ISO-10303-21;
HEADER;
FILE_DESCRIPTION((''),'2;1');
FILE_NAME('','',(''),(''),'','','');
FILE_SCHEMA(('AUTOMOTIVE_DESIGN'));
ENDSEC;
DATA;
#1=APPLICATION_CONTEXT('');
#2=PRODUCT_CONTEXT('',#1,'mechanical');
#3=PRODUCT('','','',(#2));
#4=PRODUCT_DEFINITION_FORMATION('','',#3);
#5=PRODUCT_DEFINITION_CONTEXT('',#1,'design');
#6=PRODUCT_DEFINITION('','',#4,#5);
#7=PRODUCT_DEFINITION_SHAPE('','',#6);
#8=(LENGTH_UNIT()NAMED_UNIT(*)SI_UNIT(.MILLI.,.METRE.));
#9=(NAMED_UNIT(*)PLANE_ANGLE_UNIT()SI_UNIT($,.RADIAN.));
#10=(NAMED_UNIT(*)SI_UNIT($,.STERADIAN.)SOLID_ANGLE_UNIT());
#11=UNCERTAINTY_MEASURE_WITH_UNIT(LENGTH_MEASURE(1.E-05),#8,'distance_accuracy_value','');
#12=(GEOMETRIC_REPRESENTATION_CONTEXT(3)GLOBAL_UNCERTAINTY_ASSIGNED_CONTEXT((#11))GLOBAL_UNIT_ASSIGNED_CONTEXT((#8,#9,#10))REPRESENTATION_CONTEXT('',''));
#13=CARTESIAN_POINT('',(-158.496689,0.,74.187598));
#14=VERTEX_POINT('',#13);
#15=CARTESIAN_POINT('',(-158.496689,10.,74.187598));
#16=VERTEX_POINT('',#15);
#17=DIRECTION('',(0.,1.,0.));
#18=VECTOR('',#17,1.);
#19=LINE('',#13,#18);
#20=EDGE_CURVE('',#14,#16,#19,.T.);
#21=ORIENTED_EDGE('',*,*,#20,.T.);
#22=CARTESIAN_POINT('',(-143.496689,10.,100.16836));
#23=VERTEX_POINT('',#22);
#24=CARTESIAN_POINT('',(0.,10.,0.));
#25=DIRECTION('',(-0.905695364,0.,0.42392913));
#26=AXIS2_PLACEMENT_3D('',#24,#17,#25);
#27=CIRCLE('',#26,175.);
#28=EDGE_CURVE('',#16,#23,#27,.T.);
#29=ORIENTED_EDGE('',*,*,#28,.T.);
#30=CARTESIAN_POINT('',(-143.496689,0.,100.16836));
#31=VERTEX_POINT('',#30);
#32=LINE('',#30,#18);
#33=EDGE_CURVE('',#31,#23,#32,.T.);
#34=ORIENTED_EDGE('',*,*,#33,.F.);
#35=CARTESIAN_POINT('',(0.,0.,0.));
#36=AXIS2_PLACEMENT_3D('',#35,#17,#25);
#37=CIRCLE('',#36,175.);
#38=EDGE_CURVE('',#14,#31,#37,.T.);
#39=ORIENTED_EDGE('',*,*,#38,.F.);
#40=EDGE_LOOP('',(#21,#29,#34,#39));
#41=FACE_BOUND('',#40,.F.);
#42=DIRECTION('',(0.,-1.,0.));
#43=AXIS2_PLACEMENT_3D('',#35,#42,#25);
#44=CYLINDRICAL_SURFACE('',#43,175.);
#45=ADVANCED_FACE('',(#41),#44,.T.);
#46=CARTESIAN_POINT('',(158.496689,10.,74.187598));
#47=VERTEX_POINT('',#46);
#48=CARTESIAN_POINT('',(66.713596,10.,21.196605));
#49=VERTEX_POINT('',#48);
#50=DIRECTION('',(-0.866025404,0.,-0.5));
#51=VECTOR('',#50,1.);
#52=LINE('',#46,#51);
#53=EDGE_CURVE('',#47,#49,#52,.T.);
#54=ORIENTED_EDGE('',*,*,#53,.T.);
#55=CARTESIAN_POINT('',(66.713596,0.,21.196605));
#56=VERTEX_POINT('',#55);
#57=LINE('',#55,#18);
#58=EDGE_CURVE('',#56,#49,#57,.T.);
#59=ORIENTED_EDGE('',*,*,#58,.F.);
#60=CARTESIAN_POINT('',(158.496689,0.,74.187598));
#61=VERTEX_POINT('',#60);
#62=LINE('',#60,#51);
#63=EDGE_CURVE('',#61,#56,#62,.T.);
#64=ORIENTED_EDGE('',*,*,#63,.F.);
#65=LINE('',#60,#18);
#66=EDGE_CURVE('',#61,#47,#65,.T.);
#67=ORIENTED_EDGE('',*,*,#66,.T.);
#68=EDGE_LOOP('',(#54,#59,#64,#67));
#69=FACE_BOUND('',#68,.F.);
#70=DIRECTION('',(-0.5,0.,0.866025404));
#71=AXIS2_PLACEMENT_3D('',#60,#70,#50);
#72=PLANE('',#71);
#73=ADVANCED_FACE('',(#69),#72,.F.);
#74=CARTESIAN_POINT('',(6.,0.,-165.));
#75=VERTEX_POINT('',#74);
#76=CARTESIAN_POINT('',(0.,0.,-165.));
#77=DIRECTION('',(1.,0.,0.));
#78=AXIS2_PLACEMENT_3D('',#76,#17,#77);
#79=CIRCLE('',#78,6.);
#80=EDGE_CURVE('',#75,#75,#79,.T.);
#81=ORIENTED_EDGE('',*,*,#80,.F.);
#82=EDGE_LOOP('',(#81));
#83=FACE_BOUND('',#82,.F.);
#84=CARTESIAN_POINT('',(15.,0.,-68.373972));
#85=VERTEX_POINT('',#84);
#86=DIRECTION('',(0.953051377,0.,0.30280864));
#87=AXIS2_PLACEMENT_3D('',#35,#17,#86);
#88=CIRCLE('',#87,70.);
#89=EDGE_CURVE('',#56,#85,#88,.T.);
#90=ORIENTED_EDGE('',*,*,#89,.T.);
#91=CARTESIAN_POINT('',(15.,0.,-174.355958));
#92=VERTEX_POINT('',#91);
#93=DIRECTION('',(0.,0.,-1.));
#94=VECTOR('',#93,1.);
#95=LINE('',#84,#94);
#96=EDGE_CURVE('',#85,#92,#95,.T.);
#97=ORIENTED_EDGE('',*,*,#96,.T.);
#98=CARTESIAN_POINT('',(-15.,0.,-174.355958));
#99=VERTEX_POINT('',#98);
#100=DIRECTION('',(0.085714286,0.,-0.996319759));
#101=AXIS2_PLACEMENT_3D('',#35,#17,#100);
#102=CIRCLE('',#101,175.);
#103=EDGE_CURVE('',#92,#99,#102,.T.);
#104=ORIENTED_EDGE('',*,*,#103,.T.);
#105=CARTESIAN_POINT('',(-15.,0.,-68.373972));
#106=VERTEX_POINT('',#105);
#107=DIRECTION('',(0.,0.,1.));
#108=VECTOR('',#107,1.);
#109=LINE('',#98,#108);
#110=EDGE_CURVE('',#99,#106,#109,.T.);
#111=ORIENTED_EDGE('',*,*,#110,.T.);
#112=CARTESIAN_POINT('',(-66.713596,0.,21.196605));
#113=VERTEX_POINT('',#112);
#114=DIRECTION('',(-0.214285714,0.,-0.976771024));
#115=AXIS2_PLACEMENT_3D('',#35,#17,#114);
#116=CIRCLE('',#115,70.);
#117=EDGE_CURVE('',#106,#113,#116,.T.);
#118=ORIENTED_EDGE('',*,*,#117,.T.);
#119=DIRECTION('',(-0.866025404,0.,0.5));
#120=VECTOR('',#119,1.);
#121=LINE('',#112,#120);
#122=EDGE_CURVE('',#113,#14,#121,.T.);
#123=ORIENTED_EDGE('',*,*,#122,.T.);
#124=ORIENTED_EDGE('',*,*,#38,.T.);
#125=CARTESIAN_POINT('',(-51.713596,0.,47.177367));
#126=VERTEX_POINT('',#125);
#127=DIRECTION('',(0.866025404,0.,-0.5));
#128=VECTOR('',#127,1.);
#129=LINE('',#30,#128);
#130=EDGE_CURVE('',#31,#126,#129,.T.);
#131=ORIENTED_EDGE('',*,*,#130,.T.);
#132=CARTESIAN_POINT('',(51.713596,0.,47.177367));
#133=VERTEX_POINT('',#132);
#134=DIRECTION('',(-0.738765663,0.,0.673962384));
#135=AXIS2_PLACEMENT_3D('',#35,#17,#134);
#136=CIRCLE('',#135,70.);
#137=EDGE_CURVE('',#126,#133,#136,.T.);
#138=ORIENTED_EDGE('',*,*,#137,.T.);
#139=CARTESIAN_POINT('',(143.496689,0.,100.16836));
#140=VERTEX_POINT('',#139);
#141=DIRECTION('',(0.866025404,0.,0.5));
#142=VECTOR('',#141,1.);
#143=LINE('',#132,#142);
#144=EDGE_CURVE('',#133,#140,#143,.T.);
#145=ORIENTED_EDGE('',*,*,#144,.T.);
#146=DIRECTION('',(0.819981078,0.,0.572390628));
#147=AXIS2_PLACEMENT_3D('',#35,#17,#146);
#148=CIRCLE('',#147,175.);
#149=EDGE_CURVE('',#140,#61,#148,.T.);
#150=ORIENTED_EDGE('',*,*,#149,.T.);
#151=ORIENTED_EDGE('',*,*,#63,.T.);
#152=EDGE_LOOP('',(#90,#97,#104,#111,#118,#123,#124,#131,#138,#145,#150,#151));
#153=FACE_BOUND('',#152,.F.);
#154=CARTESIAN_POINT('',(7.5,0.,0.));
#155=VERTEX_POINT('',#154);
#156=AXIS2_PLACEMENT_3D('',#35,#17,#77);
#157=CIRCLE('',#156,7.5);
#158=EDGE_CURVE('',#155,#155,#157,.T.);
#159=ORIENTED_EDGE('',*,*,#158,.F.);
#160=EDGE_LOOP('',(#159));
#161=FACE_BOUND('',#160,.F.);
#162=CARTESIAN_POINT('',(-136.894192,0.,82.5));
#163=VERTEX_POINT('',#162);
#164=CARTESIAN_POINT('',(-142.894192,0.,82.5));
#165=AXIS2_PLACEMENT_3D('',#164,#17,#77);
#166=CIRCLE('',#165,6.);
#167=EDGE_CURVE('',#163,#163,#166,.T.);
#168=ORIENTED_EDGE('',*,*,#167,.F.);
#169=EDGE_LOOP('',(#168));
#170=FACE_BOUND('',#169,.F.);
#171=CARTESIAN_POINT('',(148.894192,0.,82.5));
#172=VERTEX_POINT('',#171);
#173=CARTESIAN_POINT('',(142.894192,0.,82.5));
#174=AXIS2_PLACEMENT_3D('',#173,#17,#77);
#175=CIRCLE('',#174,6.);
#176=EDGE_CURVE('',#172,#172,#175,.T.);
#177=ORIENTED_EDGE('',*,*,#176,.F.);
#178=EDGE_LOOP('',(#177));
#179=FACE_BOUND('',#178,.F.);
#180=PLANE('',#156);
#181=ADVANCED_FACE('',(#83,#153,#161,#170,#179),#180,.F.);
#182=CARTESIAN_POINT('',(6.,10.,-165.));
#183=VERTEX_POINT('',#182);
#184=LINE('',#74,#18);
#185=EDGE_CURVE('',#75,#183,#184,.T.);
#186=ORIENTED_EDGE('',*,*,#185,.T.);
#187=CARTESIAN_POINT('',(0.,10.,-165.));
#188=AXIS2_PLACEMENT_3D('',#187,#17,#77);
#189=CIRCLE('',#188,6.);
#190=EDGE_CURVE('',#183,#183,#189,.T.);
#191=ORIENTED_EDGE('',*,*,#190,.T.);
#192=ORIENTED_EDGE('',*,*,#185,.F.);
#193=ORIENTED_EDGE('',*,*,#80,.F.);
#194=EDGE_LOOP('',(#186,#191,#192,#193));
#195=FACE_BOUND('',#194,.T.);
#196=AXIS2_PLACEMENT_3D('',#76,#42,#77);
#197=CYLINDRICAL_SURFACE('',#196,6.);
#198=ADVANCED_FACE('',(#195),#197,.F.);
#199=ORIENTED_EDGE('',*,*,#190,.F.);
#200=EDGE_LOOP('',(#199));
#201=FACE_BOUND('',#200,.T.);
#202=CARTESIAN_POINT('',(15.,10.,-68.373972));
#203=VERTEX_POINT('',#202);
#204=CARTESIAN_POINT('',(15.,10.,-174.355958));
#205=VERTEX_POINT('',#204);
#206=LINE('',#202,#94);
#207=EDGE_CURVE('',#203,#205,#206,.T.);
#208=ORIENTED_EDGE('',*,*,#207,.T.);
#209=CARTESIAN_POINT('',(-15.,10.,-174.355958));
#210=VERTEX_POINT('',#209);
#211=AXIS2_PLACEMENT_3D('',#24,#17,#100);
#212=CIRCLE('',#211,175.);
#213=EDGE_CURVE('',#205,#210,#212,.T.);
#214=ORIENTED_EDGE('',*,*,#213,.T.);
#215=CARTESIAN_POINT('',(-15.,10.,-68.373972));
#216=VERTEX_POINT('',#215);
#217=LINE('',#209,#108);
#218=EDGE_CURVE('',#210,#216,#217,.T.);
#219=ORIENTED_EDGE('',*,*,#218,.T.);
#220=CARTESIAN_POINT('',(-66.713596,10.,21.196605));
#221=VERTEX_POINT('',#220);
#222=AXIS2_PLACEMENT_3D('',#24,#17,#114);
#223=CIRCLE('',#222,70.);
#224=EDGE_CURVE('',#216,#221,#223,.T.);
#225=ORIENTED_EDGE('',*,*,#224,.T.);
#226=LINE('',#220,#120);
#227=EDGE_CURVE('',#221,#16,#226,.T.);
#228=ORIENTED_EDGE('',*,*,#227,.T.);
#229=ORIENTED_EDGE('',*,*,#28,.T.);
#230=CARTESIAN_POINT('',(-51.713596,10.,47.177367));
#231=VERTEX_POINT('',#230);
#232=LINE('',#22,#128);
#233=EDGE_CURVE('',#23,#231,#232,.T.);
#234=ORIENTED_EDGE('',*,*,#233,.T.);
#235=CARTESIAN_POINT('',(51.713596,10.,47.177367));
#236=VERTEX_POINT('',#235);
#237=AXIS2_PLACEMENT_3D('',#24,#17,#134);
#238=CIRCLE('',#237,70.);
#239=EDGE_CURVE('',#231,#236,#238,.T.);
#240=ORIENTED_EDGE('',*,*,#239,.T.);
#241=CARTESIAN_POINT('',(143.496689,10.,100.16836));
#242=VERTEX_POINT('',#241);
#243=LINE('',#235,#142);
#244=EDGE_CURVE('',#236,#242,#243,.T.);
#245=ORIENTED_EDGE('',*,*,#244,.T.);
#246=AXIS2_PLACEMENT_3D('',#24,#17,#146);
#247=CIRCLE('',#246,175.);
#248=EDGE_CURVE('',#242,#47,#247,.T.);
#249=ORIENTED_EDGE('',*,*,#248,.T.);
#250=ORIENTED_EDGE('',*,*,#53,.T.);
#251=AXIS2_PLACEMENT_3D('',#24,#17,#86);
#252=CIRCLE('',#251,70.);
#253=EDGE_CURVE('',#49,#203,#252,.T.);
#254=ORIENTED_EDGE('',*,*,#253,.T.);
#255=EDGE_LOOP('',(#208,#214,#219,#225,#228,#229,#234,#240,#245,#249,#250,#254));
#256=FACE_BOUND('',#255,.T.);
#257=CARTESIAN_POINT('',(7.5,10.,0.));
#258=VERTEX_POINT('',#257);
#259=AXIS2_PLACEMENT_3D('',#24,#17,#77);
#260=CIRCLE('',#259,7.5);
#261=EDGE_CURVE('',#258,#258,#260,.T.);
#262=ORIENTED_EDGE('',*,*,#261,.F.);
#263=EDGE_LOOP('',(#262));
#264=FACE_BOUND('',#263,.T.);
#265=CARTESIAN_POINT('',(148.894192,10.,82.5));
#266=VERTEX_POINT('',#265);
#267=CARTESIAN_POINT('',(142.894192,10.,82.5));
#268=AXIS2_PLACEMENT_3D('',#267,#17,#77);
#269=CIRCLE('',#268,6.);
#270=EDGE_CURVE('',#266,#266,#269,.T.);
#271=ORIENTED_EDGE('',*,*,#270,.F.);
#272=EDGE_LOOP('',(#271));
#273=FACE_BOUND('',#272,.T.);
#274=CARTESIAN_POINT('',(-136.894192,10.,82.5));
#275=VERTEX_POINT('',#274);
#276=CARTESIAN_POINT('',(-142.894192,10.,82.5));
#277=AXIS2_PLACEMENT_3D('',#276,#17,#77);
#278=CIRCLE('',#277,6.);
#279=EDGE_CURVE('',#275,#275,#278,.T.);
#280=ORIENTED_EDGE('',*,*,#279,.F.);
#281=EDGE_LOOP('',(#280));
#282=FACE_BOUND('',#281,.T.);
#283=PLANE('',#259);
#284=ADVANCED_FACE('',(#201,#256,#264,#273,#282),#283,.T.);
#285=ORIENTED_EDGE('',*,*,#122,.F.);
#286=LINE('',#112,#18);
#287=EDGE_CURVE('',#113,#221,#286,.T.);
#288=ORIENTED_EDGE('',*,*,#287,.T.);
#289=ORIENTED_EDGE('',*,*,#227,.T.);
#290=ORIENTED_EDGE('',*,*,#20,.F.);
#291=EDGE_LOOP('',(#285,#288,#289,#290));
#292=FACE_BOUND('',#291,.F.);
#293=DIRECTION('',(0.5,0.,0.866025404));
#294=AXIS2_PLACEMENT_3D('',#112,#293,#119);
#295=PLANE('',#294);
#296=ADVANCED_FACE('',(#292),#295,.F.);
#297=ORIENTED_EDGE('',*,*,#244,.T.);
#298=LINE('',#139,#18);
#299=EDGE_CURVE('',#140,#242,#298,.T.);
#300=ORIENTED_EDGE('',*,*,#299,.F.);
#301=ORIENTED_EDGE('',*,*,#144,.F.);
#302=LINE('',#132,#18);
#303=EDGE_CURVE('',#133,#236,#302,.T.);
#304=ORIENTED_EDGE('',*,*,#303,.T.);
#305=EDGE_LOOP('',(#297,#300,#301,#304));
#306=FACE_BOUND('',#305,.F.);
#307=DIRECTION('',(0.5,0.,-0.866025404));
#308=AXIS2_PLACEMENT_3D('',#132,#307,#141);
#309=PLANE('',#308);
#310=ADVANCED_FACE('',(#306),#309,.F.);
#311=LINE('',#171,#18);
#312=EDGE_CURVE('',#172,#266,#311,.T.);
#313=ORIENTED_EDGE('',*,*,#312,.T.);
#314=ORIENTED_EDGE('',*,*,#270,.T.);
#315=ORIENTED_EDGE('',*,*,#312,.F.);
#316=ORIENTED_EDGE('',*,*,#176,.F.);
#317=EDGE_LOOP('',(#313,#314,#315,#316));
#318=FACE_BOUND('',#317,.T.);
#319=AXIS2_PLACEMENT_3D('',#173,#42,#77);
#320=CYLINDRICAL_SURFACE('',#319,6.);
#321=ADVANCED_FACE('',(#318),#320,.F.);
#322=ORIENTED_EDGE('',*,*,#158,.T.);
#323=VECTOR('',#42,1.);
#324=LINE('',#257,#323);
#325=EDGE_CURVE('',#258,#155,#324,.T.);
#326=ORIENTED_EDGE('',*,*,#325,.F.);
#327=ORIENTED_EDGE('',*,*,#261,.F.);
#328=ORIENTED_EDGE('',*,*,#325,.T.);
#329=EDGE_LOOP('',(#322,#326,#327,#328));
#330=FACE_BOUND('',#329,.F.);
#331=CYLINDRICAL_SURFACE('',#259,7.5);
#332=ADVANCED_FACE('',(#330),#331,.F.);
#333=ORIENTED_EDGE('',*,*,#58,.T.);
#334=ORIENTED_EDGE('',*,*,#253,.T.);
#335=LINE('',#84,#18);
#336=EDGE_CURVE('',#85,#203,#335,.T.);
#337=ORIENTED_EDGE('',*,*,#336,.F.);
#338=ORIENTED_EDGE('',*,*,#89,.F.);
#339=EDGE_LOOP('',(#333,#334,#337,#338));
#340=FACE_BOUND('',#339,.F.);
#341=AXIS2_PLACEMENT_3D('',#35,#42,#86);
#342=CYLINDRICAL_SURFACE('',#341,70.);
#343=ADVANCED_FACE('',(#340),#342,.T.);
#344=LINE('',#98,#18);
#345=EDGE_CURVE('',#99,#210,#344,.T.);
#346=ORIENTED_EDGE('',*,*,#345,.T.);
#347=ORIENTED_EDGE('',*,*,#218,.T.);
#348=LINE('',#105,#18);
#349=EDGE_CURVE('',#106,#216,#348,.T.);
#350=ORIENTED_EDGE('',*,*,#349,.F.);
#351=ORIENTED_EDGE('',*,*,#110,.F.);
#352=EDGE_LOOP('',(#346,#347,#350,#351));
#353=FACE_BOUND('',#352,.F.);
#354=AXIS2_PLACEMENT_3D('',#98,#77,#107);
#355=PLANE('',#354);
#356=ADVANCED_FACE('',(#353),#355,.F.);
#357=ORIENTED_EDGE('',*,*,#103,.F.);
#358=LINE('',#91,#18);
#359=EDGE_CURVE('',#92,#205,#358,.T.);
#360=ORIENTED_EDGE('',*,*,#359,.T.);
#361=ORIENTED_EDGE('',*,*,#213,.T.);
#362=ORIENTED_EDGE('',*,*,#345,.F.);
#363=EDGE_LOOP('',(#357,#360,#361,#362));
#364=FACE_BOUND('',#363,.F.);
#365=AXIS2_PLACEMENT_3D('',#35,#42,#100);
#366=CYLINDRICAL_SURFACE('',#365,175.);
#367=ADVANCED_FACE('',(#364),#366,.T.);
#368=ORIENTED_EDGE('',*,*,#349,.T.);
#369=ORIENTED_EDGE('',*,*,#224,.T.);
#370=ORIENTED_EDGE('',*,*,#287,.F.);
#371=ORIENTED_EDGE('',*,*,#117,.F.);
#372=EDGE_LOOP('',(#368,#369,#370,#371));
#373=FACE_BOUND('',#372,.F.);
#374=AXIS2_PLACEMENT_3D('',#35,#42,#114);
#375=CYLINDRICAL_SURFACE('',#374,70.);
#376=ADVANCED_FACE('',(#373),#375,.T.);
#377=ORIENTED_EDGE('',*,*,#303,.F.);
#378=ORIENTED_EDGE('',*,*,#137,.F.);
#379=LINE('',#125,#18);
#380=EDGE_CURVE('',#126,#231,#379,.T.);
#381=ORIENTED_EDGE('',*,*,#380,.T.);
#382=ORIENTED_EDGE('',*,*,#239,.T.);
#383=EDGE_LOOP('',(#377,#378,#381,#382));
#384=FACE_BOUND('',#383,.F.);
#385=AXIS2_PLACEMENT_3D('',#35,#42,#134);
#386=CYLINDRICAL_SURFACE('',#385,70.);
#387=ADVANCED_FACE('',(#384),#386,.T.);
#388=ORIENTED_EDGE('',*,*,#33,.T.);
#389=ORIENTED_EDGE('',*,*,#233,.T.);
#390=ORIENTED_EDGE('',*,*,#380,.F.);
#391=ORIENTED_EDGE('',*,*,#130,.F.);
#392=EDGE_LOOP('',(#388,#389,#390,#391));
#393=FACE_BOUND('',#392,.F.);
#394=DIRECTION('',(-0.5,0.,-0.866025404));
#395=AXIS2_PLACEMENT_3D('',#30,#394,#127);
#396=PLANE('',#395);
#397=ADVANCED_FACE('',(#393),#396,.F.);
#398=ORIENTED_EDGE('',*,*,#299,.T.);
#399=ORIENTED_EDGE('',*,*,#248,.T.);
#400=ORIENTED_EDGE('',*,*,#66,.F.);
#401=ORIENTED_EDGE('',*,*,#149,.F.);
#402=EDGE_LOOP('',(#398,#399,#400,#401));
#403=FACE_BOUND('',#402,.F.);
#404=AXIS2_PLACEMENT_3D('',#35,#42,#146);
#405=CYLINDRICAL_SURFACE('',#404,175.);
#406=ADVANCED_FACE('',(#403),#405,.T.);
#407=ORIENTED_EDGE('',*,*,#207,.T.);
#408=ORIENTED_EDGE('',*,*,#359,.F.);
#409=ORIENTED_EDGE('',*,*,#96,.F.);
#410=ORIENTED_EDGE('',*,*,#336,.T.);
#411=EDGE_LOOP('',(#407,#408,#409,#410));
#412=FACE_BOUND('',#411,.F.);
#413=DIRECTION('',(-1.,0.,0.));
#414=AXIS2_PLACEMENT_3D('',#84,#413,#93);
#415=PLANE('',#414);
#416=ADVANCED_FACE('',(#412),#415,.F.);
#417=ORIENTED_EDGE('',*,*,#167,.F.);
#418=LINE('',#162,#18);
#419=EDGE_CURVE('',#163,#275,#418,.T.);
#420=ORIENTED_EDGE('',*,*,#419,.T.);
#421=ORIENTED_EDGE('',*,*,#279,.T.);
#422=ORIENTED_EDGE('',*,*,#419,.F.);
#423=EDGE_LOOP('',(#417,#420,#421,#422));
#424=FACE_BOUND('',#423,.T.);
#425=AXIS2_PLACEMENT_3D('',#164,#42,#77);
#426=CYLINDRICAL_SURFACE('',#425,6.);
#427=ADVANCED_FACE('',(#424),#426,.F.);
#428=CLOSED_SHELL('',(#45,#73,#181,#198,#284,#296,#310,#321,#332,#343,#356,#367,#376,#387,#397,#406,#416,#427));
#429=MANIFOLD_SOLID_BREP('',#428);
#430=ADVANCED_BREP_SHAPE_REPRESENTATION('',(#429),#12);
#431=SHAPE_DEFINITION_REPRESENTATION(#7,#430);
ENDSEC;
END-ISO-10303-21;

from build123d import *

# Parameters (mm, degrees)
SKETCH_1_R          = 6
EXTRUDE_1_DEPTH     = 10
SKETCH_2_R          = 7.5
CUT_EXTRUDE_1_DEPTH = 11


with BuildPart() as part:
    # 草图1 → 凸台-拉伸1 (new body)
    with BuildSketch(Plane(origin=(0, 0, 0), x_dir=(1, 0, 0), z_dir=(0, 1, 0))):
        with BuildLine():
            Line((158.496688705, -74.187597814), (66.713596412, -21.196604771))
            ThreePointArc((66.713596412, -21.196604771), (60.621778265, 35), (15, 68.373971656))
            Line((15, 68.373971656), (15, 174.355957742))
            ThreePointArc((15, 174.355957742), (0, 175), (-15, 174.355957742))
            Line((-15, 174.355957742), (-15, 68.373971656))
            ThreePointArc((-15, 68.373971656), (-60.621778265, 35), (-66.713596412, -21.196604771))
            Line((-66.713596412, -21.196604771), (-158.496688705, -74.187597814))
            ThreePointArc((-158.496688705, -74.187597814), (-151.554445662, -87.5), (-143.496688705, -100.168359928))
            Line((-143.496688705, -100.168359928), (-51.713596412, -47.177366885))
            ThreePointArc((-51.713596412, -47.177366885), (0, -70), (51.713596412, -47.177366885))
            Line((51.713596412, -47.177366885), (143.496688705, -100.168359928))
            ThreePointArc((143.496688705, -100.168359928), (151.554445662, -87.5), (158.496688705, -74.187597814))
        make_face()
        with Locations((0, 165)):
            Circle(SKETCH_1_R, mode=Mode.SUBTRACT)
        with Locations((142.894191624, -82.5)):
            Circle(SKETCH_1_R, mode=Mode.SUBTRACT)
        with Locations((-142.894191624, -82.5)):
            Circle(SKETCH_1_R, mode=Mode.SUBTRACT)
    extrude(amount=EXTRUDE_1_DEPTH)

    # 草图2 → 切除-拉伸1 (cut, through all)
    with BuildSketch(Plane(origin=(0, 10, 0), x_dir=(1, 0, 0), z_dir=(0, 1, 0))):
        Circle(SKETCH_2_R)
    extrude(amount=-CUT_EXTRUDE_1_DEPTH, mode=Mode.SUBTRACT)


solid = part.part
